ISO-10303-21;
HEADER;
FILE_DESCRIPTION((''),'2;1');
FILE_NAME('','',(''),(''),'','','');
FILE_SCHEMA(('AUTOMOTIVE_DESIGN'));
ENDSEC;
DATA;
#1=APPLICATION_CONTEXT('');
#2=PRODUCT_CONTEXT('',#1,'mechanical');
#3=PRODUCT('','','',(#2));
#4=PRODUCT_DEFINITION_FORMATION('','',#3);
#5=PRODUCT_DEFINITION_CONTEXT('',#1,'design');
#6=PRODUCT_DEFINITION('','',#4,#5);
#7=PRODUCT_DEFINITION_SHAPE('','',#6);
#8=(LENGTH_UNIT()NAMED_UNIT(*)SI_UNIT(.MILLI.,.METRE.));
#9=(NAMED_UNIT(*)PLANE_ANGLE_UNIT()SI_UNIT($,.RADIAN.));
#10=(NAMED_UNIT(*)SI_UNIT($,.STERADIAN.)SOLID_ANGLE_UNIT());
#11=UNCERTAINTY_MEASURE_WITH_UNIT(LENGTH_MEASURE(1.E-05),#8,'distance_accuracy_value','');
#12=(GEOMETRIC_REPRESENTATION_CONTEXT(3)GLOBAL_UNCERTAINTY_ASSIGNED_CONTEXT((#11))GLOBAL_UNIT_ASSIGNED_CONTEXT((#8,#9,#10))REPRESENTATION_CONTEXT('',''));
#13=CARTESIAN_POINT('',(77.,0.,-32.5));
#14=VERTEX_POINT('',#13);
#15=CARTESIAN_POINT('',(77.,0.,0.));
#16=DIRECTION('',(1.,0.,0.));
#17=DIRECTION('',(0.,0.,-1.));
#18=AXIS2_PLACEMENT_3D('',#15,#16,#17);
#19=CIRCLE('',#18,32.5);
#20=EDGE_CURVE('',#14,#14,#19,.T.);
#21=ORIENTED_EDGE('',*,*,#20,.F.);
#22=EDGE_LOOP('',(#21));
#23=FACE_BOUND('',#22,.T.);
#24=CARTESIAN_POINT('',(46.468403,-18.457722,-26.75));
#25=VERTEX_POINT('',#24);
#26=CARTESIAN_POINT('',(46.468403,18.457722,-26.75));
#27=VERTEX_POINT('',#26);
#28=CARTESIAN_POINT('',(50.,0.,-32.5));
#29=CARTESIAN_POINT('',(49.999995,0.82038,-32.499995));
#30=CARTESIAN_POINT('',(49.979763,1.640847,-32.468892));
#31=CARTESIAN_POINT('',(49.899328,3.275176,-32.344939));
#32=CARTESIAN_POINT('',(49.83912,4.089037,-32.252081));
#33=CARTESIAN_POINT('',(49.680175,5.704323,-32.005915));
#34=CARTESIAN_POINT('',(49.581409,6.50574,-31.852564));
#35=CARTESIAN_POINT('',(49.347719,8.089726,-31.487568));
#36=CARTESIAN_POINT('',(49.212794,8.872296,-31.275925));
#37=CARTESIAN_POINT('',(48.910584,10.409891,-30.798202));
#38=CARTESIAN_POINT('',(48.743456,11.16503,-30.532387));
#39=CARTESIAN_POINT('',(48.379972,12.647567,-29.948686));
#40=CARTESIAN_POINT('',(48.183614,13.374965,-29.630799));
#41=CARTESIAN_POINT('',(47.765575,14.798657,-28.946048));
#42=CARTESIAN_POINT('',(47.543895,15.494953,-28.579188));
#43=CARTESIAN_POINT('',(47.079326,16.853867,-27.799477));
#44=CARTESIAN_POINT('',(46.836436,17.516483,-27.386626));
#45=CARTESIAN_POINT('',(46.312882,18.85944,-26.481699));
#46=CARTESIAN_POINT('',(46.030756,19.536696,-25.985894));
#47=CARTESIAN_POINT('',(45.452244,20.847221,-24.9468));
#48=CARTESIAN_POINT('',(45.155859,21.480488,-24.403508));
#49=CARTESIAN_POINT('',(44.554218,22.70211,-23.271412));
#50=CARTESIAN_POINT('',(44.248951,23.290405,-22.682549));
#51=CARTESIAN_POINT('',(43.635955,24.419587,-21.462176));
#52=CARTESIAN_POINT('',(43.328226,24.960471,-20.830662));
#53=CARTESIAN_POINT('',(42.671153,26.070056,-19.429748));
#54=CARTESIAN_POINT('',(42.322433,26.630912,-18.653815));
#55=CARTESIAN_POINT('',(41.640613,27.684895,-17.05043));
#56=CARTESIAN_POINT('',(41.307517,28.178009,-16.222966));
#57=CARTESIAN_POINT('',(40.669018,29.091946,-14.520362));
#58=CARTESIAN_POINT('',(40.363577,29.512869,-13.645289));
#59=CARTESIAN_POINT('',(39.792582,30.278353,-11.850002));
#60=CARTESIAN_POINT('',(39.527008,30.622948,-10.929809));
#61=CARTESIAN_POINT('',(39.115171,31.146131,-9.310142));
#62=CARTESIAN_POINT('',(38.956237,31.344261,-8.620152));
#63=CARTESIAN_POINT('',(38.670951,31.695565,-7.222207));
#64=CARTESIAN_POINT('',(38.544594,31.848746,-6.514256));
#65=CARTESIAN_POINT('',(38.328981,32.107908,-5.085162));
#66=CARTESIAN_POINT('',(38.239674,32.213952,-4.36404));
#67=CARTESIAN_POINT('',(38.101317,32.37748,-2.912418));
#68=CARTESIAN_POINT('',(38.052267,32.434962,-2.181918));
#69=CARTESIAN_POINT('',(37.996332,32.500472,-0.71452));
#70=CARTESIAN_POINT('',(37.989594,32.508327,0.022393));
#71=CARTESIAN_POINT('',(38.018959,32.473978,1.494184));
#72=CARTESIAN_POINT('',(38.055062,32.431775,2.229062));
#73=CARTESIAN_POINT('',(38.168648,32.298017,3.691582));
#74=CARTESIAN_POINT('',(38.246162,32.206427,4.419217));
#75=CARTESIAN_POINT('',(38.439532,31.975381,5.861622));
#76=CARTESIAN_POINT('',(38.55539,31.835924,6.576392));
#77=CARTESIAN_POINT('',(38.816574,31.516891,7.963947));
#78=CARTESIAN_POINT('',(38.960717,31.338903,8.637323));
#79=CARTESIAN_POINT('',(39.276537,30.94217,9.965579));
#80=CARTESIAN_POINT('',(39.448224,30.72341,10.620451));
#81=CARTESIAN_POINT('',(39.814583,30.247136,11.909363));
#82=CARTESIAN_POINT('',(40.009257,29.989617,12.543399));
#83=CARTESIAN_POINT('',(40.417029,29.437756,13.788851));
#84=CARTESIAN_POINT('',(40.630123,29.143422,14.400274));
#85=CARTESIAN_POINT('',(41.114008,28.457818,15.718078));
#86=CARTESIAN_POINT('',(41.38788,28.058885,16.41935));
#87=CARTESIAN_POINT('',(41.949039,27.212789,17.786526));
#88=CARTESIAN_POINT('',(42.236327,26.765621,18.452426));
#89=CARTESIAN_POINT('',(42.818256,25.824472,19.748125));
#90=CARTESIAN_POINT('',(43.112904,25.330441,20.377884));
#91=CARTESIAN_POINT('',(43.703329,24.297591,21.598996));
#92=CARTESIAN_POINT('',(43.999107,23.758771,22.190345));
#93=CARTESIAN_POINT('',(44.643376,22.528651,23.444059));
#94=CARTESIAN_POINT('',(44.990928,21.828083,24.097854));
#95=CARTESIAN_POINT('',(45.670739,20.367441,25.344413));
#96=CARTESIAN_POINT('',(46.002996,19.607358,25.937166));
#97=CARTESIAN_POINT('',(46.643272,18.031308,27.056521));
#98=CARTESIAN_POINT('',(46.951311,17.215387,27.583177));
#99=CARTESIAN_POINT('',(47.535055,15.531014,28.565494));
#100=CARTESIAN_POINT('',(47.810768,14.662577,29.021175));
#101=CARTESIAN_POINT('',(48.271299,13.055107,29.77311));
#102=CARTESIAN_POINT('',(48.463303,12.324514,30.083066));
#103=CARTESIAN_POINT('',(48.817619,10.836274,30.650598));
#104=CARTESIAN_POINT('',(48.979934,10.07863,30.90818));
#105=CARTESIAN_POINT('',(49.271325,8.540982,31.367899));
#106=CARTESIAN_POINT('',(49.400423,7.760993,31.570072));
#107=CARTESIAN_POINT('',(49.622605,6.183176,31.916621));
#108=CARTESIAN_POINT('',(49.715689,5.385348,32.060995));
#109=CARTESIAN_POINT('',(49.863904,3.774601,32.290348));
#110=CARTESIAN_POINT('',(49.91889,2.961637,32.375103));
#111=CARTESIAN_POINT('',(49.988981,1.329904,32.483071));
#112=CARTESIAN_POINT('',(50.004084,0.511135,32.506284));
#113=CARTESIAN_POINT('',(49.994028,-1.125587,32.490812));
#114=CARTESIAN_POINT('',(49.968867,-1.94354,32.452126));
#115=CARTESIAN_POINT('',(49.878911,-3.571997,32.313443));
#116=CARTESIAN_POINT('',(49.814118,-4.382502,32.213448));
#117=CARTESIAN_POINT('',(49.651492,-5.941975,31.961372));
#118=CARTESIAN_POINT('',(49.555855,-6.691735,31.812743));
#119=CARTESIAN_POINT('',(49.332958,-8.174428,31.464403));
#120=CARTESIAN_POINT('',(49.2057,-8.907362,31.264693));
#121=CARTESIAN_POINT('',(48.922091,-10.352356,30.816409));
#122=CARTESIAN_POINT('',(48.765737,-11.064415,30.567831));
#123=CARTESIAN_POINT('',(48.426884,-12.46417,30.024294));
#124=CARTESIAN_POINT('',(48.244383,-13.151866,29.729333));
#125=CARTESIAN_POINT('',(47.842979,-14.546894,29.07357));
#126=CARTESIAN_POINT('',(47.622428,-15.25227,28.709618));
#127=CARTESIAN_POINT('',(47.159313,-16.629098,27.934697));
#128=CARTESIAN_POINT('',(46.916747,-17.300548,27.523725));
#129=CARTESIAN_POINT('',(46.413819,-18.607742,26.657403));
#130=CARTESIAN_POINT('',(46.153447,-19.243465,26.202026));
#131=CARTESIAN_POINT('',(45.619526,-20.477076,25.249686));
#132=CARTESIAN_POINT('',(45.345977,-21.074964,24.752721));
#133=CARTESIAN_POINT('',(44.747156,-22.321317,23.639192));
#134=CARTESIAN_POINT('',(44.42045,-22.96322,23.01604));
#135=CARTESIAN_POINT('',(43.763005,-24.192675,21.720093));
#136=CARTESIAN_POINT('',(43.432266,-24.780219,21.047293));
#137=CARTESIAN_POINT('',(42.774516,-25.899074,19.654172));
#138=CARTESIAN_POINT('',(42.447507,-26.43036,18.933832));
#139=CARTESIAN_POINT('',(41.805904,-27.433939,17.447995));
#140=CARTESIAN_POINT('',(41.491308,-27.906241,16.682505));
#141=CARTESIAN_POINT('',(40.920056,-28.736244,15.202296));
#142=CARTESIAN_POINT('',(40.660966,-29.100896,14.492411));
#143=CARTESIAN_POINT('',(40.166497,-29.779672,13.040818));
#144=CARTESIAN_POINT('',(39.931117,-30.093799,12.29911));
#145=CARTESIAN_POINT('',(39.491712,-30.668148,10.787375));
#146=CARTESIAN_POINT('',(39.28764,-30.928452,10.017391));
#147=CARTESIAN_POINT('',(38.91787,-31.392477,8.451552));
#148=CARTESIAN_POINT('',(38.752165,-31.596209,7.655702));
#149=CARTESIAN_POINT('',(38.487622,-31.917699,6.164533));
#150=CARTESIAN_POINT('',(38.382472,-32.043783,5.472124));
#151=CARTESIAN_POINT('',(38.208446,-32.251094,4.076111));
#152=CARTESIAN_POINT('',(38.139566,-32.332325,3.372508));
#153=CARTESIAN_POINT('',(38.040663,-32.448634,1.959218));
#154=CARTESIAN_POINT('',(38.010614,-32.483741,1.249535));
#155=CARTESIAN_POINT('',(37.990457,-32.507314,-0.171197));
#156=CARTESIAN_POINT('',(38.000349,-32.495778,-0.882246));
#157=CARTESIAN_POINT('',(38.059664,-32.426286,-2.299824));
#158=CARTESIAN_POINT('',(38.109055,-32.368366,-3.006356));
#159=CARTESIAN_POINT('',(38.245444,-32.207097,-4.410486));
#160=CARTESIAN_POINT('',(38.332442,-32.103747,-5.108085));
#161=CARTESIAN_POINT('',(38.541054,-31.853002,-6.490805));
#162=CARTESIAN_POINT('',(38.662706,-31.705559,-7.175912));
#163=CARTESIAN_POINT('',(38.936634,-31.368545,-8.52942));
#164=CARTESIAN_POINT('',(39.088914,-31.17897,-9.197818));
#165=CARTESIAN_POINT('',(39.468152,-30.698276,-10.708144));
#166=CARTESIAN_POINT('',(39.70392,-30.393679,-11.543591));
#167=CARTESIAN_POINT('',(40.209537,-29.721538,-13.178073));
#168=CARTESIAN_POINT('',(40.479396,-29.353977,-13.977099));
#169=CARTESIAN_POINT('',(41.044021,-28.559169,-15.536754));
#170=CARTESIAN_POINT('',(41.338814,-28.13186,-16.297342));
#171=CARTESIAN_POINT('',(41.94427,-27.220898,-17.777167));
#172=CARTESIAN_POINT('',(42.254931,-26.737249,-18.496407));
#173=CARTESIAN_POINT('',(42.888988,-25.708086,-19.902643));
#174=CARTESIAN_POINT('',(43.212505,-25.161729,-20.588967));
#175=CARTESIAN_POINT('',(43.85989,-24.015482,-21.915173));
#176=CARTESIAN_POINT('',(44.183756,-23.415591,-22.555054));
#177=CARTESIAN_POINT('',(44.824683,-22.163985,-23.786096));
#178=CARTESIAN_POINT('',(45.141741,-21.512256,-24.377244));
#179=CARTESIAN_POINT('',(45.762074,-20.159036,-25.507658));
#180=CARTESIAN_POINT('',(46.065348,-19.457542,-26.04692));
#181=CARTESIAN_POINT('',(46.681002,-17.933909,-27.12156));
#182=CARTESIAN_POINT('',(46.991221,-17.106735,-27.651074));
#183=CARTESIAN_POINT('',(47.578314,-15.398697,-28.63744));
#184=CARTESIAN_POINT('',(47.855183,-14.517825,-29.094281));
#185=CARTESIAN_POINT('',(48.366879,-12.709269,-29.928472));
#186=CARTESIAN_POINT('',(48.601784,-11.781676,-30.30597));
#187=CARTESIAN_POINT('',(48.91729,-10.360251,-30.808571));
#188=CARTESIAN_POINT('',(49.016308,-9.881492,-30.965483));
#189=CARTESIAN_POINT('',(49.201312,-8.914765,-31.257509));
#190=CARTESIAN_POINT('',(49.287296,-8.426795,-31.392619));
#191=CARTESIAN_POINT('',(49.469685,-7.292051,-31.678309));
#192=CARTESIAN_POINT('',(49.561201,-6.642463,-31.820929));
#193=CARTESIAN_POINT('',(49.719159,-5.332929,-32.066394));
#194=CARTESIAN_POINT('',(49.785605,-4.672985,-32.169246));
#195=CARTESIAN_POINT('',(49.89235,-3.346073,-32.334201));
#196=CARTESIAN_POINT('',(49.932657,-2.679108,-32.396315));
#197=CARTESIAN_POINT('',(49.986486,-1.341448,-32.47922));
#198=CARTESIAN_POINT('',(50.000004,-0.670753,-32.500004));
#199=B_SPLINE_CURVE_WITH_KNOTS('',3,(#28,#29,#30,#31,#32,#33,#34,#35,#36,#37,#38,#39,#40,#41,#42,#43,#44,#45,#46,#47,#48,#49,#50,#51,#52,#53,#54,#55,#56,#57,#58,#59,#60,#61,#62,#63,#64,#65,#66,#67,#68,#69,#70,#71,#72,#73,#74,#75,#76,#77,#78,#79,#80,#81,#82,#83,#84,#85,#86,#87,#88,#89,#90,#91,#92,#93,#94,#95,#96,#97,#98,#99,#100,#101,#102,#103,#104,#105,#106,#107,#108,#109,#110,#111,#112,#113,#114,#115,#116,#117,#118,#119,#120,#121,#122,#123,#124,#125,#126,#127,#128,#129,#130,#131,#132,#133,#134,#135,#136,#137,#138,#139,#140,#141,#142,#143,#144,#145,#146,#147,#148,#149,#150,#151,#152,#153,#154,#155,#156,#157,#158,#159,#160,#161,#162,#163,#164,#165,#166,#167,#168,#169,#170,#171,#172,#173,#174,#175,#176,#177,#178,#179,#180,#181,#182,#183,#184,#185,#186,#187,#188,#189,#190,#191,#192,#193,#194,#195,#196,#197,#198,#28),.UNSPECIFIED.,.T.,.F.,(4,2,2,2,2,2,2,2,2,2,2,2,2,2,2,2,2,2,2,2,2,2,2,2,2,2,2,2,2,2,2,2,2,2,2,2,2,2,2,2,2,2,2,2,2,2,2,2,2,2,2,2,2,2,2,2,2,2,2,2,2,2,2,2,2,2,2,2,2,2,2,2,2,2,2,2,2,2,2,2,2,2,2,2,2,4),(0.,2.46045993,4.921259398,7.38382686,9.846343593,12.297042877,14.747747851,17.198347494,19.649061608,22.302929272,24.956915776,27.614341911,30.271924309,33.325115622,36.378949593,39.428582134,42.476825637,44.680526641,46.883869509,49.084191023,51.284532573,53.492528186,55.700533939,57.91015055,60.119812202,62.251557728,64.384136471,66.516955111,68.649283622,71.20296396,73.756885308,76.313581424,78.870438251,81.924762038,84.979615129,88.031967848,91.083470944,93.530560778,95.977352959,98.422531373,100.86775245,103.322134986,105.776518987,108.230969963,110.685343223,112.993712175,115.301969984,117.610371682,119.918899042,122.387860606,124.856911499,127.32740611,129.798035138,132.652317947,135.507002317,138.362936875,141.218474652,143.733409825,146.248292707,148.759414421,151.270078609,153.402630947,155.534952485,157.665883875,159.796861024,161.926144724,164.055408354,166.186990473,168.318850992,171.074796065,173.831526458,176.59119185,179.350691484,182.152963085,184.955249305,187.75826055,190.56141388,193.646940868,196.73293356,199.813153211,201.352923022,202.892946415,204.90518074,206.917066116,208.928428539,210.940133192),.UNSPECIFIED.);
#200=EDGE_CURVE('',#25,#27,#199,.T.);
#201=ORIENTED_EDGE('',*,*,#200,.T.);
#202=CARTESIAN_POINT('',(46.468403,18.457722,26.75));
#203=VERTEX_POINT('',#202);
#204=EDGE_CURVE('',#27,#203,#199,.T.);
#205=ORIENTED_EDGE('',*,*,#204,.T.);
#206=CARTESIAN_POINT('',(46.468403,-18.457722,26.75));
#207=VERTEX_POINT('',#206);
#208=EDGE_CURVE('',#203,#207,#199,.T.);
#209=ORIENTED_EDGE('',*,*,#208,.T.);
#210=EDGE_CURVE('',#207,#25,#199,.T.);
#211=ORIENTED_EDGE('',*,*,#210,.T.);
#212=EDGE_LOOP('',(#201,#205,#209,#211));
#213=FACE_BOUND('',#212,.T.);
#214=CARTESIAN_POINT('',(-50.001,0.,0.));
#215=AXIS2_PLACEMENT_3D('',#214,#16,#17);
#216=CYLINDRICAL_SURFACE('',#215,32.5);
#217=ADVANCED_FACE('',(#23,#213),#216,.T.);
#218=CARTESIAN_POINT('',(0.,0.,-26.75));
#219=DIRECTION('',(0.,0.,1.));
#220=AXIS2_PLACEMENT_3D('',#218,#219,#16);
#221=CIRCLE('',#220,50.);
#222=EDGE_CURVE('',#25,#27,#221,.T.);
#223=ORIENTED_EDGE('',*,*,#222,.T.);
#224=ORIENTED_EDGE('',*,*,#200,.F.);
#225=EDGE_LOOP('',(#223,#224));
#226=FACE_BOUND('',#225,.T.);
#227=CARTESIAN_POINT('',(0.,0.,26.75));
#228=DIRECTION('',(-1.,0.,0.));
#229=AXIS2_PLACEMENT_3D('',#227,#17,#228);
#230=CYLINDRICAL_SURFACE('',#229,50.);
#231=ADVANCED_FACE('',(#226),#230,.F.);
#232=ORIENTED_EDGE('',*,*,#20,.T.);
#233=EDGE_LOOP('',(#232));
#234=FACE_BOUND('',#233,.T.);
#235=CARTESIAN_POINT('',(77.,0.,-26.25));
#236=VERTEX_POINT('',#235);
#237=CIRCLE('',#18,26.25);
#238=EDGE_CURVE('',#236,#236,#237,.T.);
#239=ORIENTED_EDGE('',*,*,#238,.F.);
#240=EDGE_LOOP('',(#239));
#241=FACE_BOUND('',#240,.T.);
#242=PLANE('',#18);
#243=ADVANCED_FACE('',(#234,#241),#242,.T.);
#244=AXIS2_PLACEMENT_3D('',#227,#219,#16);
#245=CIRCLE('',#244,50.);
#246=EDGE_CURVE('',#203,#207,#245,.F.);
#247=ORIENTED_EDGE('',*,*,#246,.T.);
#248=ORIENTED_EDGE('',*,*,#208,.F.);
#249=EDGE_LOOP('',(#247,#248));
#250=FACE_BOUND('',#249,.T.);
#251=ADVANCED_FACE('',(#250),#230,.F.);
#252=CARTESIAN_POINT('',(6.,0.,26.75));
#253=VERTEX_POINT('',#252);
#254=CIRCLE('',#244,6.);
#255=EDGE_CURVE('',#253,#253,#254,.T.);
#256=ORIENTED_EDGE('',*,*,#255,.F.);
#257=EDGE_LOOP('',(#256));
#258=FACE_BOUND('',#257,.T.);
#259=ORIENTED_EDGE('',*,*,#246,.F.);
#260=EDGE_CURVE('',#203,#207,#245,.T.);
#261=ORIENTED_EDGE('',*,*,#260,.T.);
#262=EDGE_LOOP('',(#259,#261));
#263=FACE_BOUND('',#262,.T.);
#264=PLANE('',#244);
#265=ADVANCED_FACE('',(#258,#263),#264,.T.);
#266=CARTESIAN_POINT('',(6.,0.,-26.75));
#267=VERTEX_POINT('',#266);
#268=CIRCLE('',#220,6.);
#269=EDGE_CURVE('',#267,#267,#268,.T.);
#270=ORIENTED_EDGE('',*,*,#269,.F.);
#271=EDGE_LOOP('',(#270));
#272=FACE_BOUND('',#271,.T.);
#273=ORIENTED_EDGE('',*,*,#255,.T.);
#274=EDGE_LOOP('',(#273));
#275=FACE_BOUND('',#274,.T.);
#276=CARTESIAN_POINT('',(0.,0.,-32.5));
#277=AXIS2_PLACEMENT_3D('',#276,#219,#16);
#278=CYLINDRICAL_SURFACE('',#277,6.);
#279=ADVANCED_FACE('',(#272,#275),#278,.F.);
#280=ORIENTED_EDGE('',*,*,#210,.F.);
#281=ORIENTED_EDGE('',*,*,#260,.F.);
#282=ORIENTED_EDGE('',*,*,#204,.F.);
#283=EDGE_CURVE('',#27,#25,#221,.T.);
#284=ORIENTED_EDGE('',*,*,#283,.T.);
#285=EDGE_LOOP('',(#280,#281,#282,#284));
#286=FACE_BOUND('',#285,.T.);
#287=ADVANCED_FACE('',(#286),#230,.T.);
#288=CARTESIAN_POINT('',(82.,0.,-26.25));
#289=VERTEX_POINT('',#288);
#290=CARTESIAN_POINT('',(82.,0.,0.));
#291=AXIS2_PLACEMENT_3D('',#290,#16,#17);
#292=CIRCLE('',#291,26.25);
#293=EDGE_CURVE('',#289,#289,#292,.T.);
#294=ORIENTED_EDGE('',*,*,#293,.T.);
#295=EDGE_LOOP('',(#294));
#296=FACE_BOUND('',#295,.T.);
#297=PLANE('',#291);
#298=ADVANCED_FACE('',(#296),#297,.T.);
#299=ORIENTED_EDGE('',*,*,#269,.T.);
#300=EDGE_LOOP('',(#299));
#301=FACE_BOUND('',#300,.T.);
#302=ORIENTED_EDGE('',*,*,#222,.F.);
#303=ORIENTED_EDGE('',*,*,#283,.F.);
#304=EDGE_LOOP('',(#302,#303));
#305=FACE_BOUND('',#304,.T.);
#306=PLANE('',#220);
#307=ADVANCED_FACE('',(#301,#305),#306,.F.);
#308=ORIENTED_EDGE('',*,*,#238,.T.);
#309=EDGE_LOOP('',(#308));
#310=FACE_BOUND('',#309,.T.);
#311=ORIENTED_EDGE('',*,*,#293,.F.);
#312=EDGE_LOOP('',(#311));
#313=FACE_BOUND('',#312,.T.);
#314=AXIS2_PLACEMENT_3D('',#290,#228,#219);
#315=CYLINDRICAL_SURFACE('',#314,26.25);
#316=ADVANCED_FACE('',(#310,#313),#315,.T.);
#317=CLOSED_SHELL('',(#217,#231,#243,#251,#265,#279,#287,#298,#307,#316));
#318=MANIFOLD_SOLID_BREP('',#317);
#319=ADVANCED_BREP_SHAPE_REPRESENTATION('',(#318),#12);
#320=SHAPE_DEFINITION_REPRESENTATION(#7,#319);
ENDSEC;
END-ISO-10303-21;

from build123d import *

# Parameters (mm, degrees)
ESBO_O1_R                     = 50
RESSALTO_EXTRUS_O1_DEPTH      = 26.75
RESSALTO_EXTRUS_O3_REACH      = 141.085
RESSALTO_EXTRUS_O3_END_RADIUS = 50
ESBO_O2_R                     = 32.5
ESBO_O3_R                     = 26.25
RESSALTO_EXTRUS_O4_DEPTH      = 5
ESBO_O4_R                     = 6
CORTE_EXTRUS_O1_DEPTH         = 113.8475189


with BuildPart() as part:
    # Esboço1 → Ressalto-extrusão1 (new, symmetric)
    with BuildSketch(Plane.XY):
        Circle(ESBO_O1_R)
    extrude(amount=RESSALTO_EXTRUS_O1_DEPTH, both=True)

    # Ressalto-extrusão3: up to this cylinder (the profile starts outside it)
    ressalto_extrus_o3_end = Plane(origin=(0, 0, 0), z_dir=(0, 0, -1)) * Cylinder(RESSALTO_EXTRUS_O3_END_RADIUS, 383.17, mode=Mode.PRIVATE)
    # Esboço2 → Ressalto-extrusão3 (add, up to the surface)
    with BuildSketch(Plane(origin=(77, 0, 0), x_dir=(0, 0, -1), z_dir=(1, 0, 0)), mode=Mode.PRIVATE) as ressalto_extrus_o3_sk1:
        Circle(ESBO_O2_R)
    ressalto_extrus_o3_tool1 = extrude(ressalto_extrus_o3_sk1.sketch, amount=-RESSALTO_EXTRUS_O3_REACH, mode=Mode.PRIVATE) - ressalto_extrus_o3_end
    add(ressalto_extrus_o3_tool1.solids().sort_by_distance((77, 0, 0))[0])

    # Esboço3 → Ressalto-extrusão4 (add)
    with BuildSketch(Plane(origin=(77, 0, 0), x_dir=(0, 0, -1), z_dir=(1, 0, 0))):
        Circle(ESBO_O3_R)
    extrude(amount=RESSALTO_EXTRUS_O4_DEPTH)

    # Esboço4 → Corte-extrusão1 (cut, through all)
    with BuildSketch(Plane.XY.offset(26.75)):
        Circle(ESBO_O4_R)
    extrude(amount=-CORTE_EXTRUS_O1_DEPTH, mode=Mode.SUBTRACT)


solid = part.part
